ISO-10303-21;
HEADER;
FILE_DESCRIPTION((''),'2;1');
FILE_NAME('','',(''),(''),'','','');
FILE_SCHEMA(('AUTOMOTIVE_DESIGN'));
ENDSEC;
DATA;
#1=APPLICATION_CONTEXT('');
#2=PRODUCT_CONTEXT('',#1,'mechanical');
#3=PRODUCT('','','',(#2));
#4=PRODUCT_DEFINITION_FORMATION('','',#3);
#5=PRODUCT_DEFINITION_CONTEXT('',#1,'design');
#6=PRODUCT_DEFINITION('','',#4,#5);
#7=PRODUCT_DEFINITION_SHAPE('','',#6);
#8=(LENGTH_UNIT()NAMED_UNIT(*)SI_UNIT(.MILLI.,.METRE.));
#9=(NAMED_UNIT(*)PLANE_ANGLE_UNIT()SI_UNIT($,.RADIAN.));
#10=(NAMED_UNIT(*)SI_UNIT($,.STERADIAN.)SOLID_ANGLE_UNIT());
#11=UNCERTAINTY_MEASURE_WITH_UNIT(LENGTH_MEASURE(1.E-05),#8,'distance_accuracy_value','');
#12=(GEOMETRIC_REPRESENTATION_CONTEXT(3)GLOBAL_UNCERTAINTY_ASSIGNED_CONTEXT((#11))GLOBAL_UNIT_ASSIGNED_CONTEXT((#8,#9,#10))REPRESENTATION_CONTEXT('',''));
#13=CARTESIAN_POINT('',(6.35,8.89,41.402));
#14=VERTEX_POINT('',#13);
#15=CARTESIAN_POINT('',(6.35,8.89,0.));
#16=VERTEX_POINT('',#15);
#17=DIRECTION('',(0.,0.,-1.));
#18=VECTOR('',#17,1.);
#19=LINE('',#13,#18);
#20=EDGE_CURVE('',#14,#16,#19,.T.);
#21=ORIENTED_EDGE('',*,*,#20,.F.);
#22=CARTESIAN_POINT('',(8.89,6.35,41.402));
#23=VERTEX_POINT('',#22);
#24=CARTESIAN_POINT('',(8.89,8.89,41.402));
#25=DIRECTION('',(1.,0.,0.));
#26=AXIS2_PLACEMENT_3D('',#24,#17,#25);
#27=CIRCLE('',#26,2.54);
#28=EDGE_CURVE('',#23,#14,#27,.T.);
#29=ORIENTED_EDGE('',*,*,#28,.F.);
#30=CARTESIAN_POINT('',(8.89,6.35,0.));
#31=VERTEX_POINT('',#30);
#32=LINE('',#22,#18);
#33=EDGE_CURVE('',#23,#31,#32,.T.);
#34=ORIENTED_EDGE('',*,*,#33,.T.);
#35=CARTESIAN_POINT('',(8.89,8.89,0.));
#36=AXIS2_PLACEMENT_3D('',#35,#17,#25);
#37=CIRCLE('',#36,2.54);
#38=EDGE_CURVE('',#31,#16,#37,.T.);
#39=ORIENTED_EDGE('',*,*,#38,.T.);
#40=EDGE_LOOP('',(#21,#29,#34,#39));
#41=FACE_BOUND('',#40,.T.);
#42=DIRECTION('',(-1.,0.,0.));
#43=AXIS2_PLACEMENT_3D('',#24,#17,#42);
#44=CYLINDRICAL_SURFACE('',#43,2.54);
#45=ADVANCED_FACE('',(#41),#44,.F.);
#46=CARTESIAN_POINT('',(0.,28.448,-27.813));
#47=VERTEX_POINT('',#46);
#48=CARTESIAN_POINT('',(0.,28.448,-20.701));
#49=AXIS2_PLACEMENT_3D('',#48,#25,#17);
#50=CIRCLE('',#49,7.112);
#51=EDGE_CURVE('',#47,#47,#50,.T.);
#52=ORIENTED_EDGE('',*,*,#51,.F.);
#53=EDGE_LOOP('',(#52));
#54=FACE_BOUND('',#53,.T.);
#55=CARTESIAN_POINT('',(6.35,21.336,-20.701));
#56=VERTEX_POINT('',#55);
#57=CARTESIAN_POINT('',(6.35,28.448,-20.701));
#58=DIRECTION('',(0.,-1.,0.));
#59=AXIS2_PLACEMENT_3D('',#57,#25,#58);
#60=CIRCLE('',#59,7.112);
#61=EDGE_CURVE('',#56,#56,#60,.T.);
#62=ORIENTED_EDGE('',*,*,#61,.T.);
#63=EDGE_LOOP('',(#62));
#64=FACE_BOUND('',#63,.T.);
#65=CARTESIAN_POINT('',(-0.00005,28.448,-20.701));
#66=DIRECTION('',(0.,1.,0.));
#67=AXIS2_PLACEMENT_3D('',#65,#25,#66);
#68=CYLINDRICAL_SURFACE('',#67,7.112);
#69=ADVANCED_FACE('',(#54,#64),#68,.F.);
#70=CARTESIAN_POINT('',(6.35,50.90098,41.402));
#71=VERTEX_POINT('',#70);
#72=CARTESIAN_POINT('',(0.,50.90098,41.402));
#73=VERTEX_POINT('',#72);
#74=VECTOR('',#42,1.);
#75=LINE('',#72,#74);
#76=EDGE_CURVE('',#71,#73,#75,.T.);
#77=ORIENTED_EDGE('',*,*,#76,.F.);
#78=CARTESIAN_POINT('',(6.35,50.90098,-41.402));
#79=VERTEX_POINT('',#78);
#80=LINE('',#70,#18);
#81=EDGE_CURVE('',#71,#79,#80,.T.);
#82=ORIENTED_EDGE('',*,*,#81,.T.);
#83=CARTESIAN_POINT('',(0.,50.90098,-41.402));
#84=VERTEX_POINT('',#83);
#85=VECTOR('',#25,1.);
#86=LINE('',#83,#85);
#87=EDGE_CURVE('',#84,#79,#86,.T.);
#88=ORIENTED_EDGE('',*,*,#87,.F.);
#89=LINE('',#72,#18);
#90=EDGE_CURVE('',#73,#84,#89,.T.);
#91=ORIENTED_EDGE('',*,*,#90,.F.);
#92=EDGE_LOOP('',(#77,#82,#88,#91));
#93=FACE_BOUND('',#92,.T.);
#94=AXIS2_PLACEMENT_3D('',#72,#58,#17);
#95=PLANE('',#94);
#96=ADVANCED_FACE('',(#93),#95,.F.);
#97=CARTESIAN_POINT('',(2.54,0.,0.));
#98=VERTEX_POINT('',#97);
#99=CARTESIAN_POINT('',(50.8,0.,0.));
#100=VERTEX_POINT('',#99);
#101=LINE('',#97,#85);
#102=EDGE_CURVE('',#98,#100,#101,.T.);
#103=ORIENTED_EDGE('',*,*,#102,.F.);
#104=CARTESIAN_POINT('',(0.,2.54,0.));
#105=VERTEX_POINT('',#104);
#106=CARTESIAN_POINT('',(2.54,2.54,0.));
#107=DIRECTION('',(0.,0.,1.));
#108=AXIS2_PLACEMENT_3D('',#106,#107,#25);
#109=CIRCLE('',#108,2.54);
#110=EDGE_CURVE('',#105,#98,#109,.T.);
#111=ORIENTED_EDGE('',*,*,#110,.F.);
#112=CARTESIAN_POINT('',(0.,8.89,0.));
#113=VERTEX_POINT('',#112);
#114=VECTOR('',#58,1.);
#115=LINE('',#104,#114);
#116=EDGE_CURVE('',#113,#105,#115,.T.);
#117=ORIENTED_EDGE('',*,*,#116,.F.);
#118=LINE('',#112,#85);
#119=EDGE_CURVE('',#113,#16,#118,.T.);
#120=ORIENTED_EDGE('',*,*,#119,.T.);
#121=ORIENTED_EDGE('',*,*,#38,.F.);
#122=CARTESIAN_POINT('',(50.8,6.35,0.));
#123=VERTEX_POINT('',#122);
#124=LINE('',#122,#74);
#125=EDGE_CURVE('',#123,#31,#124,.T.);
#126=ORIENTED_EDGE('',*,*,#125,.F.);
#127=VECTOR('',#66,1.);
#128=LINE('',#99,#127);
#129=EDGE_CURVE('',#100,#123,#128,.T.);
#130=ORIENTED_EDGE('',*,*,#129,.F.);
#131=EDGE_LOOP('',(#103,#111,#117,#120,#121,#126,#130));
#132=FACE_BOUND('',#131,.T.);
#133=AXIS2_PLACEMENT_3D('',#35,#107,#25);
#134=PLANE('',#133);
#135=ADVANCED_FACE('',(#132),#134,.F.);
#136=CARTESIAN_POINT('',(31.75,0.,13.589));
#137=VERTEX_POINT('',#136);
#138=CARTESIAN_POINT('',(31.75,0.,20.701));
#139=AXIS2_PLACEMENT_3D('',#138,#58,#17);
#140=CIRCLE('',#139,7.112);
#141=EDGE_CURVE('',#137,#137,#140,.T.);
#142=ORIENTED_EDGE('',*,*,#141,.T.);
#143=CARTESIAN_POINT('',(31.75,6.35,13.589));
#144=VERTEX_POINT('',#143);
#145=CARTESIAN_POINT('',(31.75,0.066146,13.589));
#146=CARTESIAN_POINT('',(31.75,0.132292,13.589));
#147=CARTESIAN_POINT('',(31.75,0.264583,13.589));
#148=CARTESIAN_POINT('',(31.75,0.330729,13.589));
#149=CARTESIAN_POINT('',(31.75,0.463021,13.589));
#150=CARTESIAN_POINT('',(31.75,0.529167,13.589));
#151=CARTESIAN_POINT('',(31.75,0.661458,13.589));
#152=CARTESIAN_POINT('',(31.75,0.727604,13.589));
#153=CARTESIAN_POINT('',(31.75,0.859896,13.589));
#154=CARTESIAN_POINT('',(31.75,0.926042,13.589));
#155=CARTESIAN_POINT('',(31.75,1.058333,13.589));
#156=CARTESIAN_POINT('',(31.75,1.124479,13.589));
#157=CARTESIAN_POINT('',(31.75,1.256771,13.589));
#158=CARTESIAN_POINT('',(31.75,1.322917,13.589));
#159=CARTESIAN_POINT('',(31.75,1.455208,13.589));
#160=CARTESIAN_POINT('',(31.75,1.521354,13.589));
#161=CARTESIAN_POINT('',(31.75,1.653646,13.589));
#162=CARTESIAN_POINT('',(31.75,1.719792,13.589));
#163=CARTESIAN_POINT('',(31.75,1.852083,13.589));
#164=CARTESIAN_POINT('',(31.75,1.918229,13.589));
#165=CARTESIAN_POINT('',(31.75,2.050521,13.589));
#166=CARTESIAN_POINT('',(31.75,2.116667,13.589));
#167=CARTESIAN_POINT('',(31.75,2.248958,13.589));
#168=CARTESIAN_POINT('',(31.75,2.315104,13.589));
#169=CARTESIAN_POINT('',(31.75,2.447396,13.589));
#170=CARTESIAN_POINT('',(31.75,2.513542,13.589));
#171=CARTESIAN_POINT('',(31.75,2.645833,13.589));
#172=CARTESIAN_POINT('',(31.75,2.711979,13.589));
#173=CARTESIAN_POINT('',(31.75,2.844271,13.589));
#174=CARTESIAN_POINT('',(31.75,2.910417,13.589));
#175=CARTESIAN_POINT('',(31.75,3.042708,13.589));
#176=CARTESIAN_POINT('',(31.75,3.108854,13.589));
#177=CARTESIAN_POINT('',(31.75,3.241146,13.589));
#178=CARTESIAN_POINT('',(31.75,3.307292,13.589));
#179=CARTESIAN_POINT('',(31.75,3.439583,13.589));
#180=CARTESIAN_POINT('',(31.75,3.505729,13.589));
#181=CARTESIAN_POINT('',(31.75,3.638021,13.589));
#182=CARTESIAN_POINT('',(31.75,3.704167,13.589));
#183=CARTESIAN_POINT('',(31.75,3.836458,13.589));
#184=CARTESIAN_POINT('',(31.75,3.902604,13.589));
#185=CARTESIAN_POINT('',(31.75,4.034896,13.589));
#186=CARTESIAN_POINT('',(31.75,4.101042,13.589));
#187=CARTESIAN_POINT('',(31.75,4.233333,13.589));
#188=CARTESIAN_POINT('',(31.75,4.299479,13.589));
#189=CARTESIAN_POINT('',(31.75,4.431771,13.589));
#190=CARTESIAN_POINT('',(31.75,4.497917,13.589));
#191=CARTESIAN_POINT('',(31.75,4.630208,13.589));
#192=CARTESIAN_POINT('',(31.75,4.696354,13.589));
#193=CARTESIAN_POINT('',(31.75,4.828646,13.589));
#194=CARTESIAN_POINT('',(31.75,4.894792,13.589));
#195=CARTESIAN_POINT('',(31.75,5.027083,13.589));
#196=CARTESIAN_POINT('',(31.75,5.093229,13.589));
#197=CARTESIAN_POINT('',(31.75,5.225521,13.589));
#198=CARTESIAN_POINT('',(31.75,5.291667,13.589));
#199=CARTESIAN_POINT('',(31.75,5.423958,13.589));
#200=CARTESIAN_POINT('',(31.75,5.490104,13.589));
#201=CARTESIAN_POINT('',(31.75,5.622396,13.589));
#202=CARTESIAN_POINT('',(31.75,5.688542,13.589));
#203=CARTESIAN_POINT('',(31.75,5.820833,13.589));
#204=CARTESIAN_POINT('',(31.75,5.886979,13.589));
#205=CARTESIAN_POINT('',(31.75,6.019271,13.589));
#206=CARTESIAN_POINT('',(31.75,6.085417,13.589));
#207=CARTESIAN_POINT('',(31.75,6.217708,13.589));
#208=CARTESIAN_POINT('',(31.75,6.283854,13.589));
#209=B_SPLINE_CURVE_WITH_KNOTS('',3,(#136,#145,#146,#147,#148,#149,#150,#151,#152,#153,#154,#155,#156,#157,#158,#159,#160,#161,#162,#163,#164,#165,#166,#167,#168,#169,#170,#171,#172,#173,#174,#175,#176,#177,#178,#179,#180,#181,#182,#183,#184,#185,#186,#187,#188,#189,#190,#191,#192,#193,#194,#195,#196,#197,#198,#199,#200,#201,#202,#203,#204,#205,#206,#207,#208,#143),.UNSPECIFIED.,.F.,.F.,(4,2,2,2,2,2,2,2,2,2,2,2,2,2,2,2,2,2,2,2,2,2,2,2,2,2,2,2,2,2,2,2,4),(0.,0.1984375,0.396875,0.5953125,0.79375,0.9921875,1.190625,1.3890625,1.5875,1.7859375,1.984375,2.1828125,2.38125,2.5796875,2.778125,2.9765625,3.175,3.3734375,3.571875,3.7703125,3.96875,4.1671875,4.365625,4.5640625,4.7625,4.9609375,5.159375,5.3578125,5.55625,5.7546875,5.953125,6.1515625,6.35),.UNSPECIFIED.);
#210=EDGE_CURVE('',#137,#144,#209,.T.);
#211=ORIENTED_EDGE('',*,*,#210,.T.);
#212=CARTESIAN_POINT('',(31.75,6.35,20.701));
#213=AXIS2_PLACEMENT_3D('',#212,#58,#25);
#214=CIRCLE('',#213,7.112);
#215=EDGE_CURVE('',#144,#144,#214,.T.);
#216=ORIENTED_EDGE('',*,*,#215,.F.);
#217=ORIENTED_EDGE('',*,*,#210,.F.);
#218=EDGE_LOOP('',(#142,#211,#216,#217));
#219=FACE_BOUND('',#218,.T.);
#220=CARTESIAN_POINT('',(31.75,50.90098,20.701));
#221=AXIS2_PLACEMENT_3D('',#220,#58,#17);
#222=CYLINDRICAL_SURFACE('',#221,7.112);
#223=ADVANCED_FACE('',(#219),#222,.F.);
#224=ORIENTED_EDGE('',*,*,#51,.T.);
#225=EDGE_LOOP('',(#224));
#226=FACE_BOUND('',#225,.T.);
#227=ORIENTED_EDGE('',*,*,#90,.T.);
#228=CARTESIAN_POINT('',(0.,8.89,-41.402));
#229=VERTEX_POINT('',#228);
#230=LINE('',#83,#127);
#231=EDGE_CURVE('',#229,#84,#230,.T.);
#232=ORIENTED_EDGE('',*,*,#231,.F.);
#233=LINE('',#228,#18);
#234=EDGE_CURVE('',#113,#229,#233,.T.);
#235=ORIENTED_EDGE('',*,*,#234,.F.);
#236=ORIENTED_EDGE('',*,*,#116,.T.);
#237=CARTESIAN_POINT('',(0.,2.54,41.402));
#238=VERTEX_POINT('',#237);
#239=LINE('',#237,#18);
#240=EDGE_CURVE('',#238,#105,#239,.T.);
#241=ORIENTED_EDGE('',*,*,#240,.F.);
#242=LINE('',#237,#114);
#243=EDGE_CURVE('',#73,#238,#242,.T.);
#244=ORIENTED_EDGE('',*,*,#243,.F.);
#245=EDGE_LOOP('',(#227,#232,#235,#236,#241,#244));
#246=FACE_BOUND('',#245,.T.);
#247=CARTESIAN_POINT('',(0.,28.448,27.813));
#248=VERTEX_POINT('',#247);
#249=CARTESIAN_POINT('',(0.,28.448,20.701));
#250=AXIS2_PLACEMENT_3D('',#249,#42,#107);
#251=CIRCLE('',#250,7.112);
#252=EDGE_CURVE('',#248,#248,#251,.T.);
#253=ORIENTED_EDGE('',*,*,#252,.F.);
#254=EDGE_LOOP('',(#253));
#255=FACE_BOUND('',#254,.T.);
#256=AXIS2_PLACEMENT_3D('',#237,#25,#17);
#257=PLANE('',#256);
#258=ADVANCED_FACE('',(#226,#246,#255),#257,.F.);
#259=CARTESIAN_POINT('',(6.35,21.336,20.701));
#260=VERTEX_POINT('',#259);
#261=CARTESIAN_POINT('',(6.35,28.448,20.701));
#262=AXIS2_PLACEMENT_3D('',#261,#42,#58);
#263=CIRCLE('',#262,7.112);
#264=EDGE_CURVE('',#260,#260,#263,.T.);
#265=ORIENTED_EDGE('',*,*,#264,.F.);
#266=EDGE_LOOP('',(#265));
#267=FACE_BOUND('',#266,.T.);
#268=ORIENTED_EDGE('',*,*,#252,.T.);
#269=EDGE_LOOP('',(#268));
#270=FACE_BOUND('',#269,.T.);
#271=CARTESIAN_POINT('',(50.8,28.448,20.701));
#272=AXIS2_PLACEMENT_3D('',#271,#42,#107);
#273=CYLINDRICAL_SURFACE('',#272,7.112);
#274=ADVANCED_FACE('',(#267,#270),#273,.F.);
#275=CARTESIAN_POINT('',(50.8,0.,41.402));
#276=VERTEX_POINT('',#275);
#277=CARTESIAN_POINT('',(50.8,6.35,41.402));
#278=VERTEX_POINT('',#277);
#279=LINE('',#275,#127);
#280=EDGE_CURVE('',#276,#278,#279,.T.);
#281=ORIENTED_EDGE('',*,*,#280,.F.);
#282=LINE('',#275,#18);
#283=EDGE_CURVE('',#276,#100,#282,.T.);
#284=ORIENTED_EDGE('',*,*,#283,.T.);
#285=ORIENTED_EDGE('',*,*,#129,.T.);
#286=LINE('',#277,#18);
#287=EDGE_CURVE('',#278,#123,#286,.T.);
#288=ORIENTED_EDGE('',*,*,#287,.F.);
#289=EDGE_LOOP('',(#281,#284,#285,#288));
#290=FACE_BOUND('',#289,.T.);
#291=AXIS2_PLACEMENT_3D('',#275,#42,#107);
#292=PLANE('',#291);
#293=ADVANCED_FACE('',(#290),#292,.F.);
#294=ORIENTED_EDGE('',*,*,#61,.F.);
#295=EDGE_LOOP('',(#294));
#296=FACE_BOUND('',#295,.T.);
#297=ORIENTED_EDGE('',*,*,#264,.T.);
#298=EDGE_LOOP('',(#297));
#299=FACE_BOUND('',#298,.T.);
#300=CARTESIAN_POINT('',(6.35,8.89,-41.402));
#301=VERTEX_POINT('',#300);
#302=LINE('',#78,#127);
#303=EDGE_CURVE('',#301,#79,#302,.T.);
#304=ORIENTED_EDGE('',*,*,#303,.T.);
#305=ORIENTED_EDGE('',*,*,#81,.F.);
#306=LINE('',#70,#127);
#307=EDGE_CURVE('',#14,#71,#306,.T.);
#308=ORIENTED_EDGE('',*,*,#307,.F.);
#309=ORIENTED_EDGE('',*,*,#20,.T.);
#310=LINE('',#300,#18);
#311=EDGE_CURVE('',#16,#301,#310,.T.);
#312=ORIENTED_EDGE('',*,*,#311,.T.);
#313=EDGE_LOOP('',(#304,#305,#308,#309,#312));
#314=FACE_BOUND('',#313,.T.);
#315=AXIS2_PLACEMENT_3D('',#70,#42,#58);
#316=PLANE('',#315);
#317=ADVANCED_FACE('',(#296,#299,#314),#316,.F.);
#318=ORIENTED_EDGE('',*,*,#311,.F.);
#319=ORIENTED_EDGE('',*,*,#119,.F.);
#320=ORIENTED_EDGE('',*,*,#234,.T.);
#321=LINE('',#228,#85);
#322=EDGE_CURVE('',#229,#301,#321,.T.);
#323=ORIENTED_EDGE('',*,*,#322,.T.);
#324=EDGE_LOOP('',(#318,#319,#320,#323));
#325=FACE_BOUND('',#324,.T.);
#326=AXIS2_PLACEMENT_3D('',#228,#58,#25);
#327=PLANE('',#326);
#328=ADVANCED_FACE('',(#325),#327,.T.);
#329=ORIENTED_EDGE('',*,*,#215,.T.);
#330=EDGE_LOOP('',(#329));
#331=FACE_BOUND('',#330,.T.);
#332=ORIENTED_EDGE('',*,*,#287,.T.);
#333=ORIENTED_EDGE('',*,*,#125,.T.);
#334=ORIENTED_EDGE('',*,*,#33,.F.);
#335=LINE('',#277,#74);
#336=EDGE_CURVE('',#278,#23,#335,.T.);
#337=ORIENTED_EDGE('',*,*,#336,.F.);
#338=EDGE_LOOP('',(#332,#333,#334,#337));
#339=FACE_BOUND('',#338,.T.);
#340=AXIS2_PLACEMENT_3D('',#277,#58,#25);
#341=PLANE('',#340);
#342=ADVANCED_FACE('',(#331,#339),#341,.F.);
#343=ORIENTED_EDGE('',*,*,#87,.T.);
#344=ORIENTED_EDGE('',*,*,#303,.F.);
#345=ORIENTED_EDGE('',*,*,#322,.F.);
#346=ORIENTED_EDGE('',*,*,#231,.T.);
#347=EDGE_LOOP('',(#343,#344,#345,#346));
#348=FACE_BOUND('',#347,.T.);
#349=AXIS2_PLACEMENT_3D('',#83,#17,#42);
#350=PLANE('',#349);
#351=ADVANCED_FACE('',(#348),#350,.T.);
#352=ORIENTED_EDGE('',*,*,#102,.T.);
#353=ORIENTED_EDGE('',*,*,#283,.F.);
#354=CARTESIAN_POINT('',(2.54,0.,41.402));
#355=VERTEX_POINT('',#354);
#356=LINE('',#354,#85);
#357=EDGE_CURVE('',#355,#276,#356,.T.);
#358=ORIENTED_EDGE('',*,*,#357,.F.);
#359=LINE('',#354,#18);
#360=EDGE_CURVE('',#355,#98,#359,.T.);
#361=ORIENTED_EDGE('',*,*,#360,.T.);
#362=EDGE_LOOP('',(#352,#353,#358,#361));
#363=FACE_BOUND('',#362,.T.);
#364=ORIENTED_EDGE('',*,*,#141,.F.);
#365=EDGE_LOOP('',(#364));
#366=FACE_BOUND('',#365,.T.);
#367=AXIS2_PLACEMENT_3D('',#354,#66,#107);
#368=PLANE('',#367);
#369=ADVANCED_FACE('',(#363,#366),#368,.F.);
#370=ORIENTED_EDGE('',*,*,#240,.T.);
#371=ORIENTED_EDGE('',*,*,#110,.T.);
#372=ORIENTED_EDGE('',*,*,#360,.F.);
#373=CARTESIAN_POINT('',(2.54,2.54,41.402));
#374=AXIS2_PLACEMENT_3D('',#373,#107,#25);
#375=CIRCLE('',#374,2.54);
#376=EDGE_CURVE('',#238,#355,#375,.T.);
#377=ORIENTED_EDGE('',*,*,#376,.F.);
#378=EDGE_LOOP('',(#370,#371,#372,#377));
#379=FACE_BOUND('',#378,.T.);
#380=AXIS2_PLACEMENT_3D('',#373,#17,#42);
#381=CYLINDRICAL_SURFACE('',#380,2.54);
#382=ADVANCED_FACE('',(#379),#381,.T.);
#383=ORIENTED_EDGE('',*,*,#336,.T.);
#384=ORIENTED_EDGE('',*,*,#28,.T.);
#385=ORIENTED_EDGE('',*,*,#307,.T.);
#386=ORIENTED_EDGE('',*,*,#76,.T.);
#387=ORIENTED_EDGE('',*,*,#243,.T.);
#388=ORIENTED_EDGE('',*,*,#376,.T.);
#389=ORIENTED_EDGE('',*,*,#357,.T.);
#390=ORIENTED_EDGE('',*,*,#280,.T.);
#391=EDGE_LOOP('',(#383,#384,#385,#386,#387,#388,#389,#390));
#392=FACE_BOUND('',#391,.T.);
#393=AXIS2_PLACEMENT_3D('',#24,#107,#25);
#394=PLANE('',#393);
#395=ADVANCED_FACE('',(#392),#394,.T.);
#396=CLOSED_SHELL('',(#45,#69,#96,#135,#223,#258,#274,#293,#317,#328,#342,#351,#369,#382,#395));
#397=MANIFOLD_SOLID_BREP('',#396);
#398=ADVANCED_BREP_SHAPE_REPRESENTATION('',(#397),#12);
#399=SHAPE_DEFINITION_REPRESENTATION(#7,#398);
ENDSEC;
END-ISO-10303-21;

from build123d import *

# Parameters (mm, degrees)
EXTRUDE_1_DEPTH     = 41.402
SKETCH_4_R          = 7.112
CUT_EXTRUDE_1_DEPTH = 83.979969858
SKETCH_3_R          = 7.112
CUT_EXTRUDE_2_DEPTH = 83.979969858
SKETCH1_W           = 41.402
SKETCH1_H           = 42.010980282
BOSS_EXTRUDE1_DEPTH = 6.35
SKETCH2_R           = 7.112
CUT_EXTRUDE1_DEPTH  = 80.251737506


with BuildPart() as part:
    # 草图1 → 凸台-拉伸1 (new body)
    with BuildSketch(Plane.XY):
        with BuildLine():
            Line((2.54, 0), (50.8, 0))
            Line((50.8, 0), (50.8, 6.35))
            Line((50.8, 6.35), (8.89, 6.35))
            ThreePointArc((8.89, 6.35), (7.093948776, 7.093948776), (6.35, 8.89))
            Line((6.35, 8.89), (6.35, 50.900980282))
            Line((6.35, 50.900980282), (0, 50.900980282))
            Line((0, 50.900980282), (0, 2.54))
            ThreePointArc((0, 2.54), (0.743948776, 0.743948776), (2.54, 0))
        make_face()
    extrude(amount=EXTRUDE_1_DEPTH)

    # 草图4 → 切除-拉伸1 (cut, through all)
    with BuildSketch(Plane.ZY):
        with Locations((20.701, 28.448)):
            Circle(SKETCH_4_R)
    extrude(amount=-CUT_EXTRUDE_1_DEPTH, mode=Mode.SUBTRACT)

    # 草图3 → 切除-拉伸2 (cut, through all)
    with BuildSketch(Plane(origin=(0, 0, 0), x_dir=(-1, 0, 0), z_dir=(0, -1, 0))):
        with Locations(Location((-31.75, -20.701, 0), (0, 0, 90))):
            Circle(SKETCH_3_R)
    extrude(amount=-CUT_EXTRUDE_2_DEPTH, mode=Mode.SUBTRACT)

    # Sketch1 → Boss-Extrude1 (add)
    with BuildSketch(Plane(origin=(6.35, 0, 0), x_dir=(0, 0, -1), z_dir=(1, 0, 0))):
        with Locations((20.701, 29.895490141)):
            Rectangle(SKETCH1_W, SKETCH1_H)
    extrude(amount=-BOSS_EXTRUDE1_DEPTH)

    # Sketch2 → Cut-Extrude1 (cut, through all)
    with BuildSketch(Plane(origin=(6.35, 0, 0), x_dir=(0, 0, -1), z_dir=(1, 0, 0))):
        with Locations(Location((-20.701, 28.448, 0), (0, 0, 180))):
            Circle(SKETCH2_R)
        with Locations((20.701, 28.448)):
            Circle(SKETCH2_R)
    extrude(amount=-CUT_EXTRUDE1_DEPTH, mode=Mode.SUBTRACT)


solid = part.part
